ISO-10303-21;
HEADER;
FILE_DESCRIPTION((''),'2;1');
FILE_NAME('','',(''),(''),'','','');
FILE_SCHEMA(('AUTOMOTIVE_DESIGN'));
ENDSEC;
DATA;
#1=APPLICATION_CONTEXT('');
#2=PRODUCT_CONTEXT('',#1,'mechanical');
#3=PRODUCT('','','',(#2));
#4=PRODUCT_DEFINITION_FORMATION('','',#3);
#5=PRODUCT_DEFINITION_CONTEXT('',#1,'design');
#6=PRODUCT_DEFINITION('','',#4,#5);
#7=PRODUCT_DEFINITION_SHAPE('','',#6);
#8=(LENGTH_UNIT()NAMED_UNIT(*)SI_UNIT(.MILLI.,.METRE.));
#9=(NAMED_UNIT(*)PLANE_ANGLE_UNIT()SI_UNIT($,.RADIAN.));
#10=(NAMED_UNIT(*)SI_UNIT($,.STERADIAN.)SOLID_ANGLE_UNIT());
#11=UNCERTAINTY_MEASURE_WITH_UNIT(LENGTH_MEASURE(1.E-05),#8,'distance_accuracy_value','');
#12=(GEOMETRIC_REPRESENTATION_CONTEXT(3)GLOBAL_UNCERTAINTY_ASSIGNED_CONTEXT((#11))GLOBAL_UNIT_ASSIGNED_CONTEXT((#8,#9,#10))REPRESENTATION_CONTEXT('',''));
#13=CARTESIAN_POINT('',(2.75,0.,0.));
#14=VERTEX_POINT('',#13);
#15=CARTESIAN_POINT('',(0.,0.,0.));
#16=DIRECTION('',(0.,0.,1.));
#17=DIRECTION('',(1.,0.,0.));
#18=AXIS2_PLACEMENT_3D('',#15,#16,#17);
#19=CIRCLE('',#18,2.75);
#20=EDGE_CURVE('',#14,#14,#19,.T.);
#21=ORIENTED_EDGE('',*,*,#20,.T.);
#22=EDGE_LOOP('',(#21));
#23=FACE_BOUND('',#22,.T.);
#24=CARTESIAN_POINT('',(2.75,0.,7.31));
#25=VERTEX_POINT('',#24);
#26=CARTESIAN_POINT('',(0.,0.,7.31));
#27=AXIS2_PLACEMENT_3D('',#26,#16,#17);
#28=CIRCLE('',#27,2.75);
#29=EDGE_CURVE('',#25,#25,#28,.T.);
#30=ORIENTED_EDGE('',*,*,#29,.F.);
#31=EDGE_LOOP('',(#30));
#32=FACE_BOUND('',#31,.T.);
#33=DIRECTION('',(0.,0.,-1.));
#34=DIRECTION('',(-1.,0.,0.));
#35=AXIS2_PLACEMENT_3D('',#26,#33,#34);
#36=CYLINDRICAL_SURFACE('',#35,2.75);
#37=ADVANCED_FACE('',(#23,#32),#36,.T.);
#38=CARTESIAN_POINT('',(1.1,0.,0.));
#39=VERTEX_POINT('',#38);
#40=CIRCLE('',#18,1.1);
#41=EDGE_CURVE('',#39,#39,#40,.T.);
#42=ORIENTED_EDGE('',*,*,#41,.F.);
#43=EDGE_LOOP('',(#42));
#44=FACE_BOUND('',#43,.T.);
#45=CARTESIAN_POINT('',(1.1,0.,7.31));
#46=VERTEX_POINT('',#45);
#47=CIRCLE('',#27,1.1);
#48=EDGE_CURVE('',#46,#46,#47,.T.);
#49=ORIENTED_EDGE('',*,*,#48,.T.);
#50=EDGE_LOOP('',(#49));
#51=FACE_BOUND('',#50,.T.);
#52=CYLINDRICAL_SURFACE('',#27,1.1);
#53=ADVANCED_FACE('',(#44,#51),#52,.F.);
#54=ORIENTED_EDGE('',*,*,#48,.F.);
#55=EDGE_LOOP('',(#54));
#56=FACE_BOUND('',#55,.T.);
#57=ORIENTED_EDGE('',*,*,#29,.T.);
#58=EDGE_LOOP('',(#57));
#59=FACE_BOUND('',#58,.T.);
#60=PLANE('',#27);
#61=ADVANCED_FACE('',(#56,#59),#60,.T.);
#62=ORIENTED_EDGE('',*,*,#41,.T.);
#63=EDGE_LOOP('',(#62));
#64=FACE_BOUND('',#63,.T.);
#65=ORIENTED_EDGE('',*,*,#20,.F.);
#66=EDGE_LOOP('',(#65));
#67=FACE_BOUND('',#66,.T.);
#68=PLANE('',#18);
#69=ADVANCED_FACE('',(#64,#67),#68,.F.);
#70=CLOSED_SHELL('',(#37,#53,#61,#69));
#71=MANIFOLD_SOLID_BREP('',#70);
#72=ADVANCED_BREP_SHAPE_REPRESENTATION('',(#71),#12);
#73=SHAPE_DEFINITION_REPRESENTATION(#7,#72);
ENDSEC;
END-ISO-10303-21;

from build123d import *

# Parameters (mm, degrees)
SKETCH2_R            = 2.75
BOSS_EXTRUDE1_DEPTH  = 7.31
M2_CLEARANCE_HOLE1_D = 2.2


with BuildPart() as part:
    # Sketch2 → Boss-Extrude1 (new body)
    with BuildSketch(Plane.XY):
        Circle(SKETCH2_R)
    extrude(amount=BOSS_EXTRUDE1_DEPTH)

    # M2 Clearance Hole1 (through all)
    with Locations(Plane.XY.offset(7.31)):
        with Locations((0, 0)):
            Hole(M2_CLEARANCE_HOLE1_D / 2)


solid = part.part
